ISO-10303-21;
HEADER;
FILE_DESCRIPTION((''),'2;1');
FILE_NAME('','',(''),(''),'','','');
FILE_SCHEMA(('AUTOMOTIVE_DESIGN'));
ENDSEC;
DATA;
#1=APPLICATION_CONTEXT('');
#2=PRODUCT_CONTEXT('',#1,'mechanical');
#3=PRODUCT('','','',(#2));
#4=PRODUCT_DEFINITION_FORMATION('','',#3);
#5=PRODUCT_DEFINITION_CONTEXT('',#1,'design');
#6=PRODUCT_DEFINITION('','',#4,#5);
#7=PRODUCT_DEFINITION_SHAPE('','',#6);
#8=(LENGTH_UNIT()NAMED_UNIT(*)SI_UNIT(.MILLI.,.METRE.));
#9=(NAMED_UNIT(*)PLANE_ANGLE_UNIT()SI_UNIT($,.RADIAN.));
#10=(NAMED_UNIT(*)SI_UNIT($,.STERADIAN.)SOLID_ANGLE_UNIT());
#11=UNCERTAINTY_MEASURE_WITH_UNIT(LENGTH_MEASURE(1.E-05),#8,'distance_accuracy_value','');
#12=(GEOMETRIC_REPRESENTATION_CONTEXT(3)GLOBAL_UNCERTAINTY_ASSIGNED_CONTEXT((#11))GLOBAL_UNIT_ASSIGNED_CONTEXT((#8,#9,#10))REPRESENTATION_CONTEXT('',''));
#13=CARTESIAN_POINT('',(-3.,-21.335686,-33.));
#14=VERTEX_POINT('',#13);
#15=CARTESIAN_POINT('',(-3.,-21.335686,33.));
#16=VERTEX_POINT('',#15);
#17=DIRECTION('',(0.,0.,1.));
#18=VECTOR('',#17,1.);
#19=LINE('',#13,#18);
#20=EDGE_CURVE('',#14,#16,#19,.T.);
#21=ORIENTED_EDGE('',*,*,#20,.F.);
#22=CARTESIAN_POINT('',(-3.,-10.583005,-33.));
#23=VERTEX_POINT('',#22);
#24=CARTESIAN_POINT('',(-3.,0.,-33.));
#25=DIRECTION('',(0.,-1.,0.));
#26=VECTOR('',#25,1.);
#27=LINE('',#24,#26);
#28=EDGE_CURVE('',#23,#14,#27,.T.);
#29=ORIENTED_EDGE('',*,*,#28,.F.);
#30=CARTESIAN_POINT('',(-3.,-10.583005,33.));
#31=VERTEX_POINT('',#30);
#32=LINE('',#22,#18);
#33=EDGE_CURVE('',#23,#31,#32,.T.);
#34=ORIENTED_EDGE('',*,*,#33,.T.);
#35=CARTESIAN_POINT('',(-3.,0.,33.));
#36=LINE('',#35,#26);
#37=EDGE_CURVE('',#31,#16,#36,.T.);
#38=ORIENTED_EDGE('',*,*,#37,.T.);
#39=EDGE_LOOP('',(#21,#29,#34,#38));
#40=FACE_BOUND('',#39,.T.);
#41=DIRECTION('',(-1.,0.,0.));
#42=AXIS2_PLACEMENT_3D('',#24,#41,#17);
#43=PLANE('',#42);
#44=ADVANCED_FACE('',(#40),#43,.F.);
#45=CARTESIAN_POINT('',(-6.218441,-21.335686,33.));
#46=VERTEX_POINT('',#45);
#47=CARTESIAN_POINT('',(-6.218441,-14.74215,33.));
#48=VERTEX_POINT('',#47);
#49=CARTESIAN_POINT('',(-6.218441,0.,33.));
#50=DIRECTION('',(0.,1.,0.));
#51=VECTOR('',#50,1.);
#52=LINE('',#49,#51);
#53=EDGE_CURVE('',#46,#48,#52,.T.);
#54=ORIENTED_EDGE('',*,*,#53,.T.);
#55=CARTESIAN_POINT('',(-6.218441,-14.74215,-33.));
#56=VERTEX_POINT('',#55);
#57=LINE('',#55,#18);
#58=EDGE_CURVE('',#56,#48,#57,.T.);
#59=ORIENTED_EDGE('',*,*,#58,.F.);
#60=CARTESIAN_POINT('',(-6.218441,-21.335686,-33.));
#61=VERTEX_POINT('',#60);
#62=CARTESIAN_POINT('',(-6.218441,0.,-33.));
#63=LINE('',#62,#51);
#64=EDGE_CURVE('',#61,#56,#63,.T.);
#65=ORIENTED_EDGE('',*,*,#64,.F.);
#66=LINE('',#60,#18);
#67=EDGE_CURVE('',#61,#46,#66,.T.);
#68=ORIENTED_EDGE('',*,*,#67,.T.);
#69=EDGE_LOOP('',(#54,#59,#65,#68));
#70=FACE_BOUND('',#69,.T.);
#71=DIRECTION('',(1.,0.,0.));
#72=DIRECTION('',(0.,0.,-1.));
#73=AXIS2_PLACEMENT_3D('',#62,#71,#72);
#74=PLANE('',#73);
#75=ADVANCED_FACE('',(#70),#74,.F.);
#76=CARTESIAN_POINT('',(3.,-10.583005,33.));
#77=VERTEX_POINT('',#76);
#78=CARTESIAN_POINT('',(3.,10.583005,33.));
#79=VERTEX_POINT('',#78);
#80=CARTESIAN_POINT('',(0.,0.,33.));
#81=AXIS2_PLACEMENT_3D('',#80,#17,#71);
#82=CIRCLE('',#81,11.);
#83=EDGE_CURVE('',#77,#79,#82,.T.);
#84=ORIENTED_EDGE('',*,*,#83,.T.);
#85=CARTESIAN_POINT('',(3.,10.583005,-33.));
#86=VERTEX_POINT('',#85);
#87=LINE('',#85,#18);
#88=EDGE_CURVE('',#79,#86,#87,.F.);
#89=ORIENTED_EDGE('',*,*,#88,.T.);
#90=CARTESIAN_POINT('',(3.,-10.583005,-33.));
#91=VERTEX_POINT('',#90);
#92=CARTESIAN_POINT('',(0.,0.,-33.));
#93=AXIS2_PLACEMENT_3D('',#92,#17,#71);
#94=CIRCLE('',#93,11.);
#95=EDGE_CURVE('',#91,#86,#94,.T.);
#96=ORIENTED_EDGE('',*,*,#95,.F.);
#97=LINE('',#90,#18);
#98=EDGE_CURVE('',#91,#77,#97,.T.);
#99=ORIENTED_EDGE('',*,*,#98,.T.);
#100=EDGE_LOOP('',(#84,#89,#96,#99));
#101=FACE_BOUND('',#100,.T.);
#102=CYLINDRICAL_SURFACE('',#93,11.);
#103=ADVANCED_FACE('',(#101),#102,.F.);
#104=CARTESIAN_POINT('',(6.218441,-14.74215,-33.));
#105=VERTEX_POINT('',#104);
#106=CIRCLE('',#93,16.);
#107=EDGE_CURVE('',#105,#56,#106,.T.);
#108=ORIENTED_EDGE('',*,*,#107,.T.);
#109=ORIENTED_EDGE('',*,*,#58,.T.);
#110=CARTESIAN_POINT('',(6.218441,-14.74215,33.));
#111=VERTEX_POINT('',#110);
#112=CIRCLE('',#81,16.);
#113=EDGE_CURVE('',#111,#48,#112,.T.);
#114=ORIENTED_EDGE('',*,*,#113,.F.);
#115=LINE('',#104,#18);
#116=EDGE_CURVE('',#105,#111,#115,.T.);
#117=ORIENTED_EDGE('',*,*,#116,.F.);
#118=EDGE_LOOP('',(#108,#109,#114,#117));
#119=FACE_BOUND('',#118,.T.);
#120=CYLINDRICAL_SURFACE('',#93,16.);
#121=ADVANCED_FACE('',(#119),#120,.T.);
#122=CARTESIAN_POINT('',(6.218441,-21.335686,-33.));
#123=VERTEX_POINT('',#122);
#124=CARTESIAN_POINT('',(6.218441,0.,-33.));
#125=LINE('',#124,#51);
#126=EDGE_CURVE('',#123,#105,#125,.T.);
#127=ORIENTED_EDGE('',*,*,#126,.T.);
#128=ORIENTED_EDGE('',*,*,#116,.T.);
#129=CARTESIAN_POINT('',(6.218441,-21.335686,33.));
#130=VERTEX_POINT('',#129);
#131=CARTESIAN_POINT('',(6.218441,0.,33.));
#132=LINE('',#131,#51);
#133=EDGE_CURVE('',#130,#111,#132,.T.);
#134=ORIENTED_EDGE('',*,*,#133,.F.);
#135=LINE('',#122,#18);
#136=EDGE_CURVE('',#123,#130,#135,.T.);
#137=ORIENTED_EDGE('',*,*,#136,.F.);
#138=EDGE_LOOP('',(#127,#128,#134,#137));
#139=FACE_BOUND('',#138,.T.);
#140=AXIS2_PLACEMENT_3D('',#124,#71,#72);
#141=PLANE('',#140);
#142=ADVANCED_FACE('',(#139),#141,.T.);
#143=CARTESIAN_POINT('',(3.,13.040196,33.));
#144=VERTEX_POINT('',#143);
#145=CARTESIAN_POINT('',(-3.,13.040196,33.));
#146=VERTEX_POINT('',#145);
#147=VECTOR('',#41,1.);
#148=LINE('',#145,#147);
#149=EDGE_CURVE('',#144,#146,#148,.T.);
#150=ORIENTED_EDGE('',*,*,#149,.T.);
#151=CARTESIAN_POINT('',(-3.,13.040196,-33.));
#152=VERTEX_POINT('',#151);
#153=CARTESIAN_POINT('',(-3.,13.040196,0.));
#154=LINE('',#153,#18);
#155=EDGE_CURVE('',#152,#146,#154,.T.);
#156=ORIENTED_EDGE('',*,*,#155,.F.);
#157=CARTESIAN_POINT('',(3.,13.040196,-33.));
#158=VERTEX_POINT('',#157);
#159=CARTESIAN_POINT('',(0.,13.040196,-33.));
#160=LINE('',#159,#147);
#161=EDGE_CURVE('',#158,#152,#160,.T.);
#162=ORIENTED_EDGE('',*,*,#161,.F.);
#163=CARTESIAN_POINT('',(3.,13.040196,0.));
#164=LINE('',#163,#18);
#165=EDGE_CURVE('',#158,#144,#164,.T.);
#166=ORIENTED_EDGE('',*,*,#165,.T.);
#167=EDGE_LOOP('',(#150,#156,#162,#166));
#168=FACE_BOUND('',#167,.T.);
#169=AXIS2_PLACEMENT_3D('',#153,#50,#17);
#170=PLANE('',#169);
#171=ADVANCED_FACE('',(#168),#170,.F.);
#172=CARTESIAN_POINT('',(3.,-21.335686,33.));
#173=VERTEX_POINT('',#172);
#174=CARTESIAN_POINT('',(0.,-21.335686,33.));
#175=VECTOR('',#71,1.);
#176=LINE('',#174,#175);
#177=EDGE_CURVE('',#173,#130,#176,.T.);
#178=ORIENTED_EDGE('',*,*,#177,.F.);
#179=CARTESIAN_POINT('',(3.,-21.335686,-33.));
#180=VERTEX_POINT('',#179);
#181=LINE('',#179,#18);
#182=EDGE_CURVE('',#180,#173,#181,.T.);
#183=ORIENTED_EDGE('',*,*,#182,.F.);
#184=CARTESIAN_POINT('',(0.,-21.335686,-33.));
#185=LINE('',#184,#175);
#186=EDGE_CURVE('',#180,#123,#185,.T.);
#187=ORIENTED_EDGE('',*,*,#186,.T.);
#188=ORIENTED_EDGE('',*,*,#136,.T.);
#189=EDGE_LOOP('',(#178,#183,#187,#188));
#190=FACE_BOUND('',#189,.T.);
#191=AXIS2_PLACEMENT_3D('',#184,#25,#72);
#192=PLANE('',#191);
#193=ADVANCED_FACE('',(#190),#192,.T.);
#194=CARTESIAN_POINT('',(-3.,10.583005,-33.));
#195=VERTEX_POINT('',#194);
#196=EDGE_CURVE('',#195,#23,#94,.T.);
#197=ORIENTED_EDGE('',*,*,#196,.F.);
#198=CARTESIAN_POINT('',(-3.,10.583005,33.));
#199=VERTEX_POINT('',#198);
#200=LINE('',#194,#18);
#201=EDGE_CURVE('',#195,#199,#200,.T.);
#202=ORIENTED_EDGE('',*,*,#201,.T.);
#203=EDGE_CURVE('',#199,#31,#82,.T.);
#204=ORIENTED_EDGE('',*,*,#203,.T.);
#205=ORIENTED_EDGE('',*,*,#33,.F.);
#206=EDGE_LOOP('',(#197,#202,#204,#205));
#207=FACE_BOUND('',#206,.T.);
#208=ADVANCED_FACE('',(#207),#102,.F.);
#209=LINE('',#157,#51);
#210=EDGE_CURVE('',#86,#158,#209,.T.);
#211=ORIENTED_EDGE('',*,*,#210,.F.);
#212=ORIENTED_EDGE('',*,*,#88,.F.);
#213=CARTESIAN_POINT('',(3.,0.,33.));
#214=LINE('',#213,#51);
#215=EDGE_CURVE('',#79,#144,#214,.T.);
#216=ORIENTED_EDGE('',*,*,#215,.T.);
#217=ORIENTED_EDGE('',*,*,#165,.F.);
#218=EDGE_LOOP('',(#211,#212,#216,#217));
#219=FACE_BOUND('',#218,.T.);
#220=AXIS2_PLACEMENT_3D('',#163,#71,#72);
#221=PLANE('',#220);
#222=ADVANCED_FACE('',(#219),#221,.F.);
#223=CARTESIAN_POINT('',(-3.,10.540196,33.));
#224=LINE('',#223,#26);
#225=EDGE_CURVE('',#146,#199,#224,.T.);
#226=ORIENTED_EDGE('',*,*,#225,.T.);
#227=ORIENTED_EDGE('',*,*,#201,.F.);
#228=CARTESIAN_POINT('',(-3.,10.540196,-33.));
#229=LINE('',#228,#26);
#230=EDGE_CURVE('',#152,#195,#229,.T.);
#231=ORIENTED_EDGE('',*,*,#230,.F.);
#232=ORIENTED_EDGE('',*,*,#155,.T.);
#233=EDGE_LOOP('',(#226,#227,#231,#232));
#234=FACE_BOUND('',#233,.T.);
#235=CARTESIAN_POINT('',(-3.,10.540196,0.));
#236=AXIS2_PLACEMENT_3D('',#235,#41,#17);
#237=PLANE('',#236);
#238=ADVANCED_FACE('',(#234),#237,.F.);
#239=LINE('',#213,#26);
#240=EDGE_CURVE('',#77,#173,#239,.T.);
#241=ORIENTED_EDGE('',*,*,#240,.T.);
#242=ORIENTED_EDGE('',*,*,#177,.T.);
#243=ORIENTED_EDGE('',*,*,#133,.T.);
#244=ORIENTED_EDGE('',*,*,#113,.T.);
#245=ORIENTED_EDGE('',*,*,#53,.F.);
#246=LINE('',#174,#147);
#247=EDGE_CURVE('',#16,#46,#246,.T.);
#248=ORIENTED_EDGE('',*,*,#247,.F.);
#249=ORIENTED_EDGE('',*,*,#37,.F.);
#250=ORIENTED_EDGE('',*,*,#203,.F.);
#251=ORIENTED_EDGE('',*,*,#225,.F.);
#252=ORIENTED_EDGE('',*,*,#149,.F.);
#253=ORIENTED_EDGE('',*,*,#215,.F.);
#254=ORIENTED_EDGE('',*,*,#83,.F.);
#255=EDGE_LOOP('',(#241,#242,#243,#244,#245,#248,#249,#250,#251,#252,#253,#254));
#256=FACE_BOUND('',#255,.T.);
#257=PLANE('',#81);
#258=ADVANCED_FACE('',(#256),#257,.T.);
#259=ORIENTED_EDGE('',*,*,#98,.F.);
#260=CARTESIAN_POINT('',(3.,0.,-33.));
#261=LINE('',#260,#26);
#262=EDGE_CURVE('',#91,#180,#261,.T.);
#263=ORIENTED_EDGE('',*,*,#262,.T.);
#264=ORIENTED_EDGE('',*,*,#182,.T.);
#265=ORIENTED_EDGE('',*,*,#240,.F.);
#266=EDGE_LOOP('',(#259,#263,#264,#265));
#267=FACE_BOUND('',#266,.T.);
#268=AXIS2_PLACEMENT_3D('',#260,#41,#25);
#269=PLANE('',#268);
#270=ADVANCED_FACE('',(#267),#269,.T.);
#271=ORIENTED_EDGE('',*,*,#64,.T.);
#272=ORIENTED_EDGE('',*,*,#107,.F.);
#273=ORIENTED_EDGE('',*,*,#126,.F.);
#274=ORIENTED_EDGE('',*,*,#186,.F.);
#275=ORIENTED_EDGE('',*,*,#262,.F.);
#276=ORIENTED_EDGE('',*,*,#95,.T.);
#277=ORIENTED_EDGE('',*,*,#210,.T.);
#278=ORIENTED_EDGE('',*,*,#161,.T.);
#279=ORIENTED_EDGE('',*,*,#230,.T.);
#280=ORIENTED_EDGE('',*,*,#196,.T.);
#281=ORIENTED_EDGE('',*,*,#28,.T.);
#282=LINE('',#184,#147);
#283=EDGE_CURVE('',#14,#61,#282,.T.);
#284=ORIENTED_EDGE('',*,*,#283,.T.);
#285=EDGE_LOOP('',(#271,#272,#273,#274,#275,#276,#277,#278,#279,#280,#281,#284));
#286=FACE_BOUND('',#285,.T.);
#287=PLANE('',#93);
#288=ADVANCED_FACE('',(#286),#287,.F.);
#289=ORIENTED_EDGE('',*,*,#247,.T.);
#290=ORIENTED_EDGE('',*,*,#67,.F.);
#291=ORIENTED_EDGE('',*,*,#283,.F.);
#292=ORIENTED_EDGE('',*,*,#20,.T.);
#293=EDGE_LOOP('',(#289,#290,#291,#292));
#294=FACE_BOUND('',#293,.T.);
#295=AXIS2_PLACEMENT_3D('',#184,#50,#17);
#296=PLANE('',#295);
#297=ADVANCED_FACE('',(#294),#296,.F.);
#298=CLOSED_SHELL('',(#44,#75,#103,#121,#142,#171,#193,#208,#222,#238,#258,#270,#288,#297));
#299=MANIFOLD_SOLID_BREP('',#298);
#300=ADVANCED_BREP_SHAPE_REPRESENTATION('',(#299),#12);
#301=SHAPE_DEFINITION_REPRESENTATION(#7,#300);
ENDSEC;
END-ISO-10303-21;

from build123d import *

# Parameters (mm, degrees)
BOSS_EXTRUDE1_DEPTH      = 33
BOSS_EXTRUDE1_DEPTH_BACK = 33
SKETCH1_R                = 16
SKETCH1_R_2              = 11
CUT_EXTRUDE1_DEPTH       = 33
BOSS_EXTRUDE2_DEPTH      = 66
CUT_EXTRUDE4_DEPTH       = 72.18434857


with BuildPart() as part:
    # Sketch1 → Boss-Extrude1 (new, two sides: drawn at the far end of the back side and taken through both)
    with BuildSketch(Plane.XY.offset(-BOSS_EXTRUDE1_DEPTH_BACK)):
        Circle(SKETCH1_R)
        Circle(SKETCH1_R_2, mode=Mode.SUBTRACT)
    extrude(amount=BOSS_EXTRUDE1_DEPTH + BOSS_EXTRUDE1_DEPTH_BACK)

    # Sketch2 → Cut-Extrude1 (cut)
    with BuildSketch(Plane.XY.offset(33)):
        with BuildLine():
            Line((-3, 10.540195713), (-3, 13.040195713))
            Line((-3, 13.040195713), (0, 13.040195713))
            Line((0, 13.040195713), (3, 13.040195713))
            Line((3, 13.040195713), (3, 10.540195713))
            ThreePointArc((3, 10.540195713), (0, 10.958819538), (-3, 10.540195713))
        make_face()
    cut_extrude1 = extrude(amount=-CUT_EXTRUDE1_DEPTH, mode=Mode.SUBTRACT)

    # Mirror2: Cut-Extrude1 across plane
    add(cut_extrude1.mirror(Plane(origin=(0, 0, 0), x_dir=(1, 0, 0), z_dir=(0, 0, -1))), mode=Mode.SUBTRACT)

    # Sketch3 → Boss-Extrude2 (add, through all)
    with BuildSketch(Plane.XY.offset(33)):
        with BuildLine():
            Line((-3, -21.335685631), (-3, -15.716233646))
            ThreePointArc((-3, -15.716233646), (-4.63488117, -15.31397651), (-6.218441038, -14.74215015))
            Line((-6.218441038, -14.74215015), (-6.218441038, -21.335685631))
            Line((-6.218441038, -21.335685631), (-3, -21.335685631))
        make_face()
        with BuildLine():
            ThreePointArc((6.218441038, -14.74215015), (4.63488117, -15.31397651), (3, -15.716233646))
            Line((3, -15.716233646), (3, -21.335685631))
            Line((3, -21.335685631), (6.218441038, -21.335685631))
            Line((6.218441038, -21.335685631), (6.218441038, -14.74215015))
        make_face()
    extrude(amount=-BOSS_EXTRUDE2_DEPTH)

    # Sketch4 → Cut-Extrude4 (cut, through all)
    with BuildSketch(Plane.XY.offset(33)):
        Polygon((-3, -10.583005244), (-3, -16.271539673), (3, -16.271539673), (3, -15.716233646), (3, -10.583005244), align=None)
    extrude(amount=-CUT_EXTRUDE4_DEPTH, mode=Mode.SUBTRACT)


solid = part.part
